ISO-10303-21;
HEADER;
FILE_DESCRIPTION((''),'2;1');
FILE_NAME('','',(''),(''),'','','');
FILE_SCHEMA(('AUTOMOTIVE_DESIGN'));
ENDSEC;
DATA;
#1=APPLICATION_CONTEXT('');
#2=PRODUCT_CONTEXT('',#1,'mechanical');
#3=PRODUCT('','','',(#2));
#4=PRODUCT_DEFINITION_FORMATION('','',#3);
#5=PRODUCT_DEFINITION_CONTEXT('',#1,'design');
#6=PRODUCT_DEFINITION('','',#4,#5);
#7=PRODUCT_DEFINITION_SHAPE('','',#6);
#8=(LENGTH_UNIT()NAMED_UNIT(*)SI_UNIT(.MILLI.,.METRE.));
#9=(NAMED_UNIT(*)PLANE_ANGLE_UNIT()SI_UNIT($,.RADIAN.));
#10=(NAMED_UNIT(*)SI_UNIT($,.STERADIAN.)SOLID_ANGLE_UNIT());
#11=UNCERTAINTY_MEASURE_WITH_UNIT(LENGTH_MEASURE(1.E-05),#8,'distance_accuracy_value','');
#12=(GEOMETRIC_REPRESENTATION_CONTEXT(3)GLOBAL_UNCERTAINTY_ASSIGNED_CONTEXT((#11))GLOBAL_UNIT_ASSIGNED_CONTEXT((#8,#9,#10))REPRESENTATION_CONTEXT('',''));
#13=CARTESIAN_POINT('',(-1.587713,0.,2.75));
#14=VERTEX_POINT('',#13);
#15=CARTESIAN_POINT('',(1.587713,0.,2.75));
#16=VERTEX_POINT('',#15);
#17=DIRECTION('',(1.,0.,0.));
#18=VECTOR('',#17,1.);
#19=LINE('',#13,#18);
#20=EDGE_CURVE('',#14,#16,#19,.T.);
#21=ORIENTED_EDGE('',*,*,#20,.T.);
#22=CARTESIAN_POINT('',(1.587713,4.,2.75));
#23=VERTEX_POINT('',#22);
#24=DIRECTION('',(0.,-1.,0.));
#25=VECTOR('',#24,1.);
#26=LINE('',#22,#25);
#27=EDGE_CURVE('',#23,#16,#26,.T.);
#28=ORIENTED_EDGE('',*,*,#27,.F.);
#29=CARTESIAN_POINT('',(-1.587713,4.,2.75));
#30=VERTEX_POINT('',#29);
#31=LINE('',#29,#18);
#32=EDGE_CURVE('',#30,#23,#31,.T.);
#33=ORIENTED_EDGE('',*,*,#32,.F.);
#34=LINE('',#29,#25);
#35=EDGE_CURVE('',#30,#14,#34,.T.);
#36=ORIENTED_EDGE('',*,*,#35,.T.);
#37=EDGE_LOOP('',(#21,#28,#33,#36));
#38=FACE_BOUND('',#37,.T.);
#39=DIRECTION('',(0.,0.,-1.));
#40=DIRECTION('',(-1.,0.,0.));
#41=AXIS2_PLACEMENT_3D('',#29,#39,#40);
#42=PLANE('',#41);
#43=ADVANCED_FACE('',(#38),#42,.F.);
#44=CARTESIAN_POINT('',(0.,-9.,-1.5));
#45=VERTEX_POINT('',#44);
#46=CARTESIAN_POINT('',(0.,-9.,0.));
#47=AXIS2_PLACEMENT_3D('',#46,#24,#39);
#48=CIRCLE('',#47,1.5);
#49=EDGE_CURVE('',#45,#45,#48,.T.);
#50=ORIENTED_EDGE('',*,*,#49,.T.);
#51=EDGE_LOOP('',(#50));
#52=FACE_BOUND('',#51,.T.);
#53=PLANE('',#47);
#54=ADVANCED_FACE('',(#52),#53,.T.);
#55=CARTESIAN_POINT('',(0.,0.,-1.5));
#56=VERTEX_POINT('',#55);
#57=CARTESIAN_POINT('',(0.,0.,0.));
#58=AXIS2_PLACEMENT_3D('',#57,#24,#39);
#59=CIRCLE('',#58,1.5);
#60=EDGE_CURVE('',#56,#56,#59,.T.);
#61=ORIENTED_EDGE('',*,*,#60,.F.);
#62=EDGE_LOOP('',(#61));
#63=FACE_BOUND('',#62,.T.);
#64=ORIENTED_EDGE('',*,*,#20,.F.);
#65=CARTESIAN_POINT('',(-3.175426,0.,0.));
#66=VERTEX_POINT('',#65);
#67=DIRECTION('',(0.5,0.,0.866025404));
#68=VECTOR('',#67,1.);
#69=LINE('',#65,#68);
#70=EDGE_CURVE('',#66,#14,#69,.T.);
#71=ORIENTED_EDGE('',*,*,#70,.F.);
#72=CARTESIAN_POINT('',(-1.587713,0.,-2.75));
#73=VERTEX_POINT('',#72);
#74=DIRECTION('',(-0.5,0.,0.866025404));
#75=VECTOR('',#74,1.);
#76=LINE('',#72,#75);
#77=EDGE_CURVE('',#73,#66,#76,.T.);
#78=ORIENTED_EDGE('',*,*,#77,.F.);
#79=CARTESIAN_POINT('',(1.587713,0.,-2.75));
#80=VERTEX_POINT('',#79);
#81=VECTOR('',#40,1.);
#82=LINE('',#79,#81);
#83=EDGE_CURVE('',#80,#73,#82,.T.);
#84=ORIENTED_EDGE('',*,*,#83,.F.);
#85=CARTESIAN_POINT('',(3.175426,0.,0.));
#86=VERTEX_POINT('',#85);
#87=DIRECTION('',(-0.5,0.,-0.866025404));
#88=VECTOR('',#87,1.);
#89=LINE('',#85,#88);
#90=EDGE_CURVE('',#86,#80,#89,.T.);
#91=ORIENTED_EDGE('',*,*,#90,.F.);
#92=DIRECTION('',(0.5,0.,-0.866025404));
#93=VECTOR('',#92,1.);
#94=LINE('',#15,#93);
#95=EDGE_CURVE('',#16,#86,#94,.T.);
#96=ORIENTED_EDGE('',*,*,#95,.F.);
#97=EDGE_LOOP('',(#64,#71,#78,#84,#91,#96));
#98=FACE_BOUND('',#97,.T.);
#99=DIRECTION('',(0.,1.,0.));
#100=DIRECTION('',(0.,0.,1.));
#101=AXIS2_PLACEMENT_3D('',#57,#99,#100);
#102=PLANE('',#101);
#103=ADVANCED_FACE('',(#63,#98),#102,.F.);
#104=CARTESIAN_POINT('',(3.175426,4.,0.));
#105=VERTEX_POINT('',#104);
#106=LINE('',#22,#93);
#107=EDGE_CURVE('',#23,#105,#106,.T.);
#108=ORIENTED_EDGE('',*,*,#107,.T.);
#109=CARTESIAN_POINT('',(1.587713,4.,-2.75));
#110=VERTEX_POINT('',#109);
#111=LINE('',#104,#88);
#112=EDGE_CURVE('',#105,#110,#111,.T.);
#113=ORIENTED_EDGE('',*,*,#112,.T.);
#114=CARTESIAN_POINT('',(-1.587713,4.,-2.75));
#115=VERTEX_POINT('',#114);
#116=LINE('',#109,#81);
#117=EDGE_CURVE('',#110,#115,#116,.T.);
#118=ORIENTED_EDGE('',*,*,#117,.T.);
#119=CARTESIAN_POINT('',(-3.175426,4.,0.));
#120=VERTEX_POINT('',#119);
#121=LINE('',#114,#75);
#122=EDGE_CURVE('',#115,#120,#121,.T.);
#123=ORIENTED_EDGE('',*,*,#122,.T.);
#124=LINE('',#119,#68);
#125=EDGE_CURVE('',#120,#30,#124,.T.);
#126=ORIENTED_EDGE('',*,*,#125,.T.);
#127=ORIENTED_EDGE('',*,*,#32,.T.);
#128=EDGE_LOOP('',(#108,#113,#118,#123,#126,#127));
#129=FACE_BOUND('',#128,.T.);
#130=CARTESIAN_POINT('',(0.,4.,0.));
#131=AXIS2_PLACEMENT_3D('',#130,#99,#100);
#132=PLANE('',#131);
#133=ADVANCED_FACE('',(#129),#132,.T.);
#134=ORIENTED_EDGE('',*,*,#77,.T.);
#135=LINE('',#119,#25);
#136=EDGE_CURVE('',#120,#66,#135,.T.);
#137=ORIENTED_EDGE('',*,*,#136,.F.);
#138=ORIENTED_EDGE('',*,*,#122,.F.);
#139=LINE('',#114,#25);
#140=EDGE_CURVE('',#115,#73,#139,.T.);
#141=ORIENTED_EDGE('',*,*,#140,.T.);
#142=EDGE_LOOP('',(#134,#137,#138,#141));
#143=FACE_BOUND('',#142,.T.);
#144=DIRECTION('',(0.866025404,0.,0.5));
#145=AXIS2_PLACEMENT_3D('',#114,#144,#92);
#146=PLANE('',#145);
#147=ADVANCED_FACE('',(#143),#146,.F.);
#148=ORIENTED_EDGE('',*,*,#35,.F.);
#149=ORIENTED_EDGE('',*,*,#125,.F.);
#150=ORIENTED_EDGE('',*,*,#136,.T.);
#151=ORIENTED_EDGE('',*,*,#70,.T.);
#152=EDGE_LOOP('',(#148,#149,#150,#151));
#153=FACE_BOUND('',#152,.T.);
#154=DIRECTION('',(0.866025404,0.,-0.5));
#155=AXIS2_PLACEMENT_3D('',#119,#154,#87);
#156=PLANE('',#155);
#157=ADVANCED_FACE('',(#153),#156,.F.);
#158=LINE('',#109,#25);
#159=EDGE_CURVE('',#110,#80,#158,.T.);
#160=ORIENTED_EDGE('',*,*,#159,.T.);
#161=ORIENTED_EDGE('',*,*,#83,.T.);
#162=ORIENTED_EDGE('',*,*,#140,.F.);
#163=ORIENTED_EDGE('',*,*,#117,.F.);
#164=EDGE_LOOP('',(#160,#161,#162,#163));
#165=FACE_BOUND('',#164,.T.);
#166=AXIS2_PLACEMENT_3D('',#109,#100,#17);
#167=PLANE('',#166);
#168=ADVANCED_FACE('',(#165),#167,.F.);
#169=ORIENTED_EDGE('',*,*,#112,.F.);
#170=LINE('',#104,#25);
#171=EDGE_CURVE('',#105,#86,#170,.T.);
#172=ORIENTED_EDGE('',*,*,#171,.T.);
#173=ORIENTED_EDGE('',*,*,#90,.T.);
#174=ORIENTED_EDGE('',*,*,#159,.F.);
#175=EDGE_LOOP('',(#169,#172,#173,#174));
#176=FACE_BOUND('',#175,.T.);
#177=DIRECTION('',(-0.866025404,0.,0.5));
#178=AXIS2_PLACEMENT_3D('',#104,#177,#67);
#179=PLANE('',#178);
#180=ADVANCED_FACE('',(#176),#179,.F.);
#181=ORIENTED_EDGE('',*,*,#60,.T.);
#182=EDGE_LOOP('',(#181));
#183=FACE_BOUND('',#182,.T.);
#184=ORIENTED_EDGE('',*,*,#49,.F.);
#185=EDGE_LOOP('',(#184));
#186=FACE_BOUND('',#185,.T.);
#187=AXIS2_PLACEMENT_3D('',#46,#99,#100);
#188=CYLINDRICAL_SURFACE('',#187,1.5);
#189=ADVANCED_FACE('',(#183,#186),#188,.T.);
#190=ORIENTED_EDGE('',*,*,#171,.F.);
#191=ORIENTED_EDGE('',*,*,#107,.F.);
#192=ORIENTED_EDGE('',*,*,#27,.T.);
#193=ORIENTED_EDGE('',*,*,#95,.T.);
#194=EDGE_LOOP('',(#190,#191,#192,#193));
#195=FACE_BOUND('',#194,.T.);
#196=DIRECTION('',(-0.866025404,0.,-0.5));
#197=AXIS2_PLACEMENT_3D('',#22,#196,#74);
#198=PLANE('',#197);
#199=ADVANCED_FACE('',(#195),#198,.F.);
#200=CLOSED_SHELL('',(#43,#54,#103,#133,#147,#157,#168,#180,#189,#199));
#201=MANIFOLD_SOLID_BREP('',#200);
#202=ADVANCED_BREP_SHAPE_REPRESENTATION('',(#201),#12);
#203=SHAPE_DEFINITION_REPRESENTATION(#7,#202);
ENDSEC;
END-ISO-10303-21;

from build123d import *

# Parameters (mm, degrees)
BOSS_EXTRUDE1_DEPTH = 4
SKETCH2_R           = 1.5
BOSS_EXTRUDE2_DEPTH = 9


with BuildPart() as part:
    # Sketch1 → Boss-Extrude1 (new body)
    with BuildSketch(Plane(origin=(0, 0, 0), x_dir=(1, 0, 0), z_dir=(0, 1, 0))):
        Polygon((3.175426481, 0), (1.58771324, 2.75), (-1.58771324, 2.75), (-3.175426481, 0), (-1.58771324, -2.75), (1.58771324, -2.75), align=None)
    extrude(amount=BOSS_EXTRUDE1_DEPTH)

    # Sketch2 → Boss-Extrude2 (add)
    with BuildSketch(Plane.XZ):
        with Locations(Location((0, 0, 0), (0, 0, 270))):
            Circle(SKETCH2_R)
    extrude(amount=BOSS_EXTRUDE2_DEPTH)


solid = part.part
